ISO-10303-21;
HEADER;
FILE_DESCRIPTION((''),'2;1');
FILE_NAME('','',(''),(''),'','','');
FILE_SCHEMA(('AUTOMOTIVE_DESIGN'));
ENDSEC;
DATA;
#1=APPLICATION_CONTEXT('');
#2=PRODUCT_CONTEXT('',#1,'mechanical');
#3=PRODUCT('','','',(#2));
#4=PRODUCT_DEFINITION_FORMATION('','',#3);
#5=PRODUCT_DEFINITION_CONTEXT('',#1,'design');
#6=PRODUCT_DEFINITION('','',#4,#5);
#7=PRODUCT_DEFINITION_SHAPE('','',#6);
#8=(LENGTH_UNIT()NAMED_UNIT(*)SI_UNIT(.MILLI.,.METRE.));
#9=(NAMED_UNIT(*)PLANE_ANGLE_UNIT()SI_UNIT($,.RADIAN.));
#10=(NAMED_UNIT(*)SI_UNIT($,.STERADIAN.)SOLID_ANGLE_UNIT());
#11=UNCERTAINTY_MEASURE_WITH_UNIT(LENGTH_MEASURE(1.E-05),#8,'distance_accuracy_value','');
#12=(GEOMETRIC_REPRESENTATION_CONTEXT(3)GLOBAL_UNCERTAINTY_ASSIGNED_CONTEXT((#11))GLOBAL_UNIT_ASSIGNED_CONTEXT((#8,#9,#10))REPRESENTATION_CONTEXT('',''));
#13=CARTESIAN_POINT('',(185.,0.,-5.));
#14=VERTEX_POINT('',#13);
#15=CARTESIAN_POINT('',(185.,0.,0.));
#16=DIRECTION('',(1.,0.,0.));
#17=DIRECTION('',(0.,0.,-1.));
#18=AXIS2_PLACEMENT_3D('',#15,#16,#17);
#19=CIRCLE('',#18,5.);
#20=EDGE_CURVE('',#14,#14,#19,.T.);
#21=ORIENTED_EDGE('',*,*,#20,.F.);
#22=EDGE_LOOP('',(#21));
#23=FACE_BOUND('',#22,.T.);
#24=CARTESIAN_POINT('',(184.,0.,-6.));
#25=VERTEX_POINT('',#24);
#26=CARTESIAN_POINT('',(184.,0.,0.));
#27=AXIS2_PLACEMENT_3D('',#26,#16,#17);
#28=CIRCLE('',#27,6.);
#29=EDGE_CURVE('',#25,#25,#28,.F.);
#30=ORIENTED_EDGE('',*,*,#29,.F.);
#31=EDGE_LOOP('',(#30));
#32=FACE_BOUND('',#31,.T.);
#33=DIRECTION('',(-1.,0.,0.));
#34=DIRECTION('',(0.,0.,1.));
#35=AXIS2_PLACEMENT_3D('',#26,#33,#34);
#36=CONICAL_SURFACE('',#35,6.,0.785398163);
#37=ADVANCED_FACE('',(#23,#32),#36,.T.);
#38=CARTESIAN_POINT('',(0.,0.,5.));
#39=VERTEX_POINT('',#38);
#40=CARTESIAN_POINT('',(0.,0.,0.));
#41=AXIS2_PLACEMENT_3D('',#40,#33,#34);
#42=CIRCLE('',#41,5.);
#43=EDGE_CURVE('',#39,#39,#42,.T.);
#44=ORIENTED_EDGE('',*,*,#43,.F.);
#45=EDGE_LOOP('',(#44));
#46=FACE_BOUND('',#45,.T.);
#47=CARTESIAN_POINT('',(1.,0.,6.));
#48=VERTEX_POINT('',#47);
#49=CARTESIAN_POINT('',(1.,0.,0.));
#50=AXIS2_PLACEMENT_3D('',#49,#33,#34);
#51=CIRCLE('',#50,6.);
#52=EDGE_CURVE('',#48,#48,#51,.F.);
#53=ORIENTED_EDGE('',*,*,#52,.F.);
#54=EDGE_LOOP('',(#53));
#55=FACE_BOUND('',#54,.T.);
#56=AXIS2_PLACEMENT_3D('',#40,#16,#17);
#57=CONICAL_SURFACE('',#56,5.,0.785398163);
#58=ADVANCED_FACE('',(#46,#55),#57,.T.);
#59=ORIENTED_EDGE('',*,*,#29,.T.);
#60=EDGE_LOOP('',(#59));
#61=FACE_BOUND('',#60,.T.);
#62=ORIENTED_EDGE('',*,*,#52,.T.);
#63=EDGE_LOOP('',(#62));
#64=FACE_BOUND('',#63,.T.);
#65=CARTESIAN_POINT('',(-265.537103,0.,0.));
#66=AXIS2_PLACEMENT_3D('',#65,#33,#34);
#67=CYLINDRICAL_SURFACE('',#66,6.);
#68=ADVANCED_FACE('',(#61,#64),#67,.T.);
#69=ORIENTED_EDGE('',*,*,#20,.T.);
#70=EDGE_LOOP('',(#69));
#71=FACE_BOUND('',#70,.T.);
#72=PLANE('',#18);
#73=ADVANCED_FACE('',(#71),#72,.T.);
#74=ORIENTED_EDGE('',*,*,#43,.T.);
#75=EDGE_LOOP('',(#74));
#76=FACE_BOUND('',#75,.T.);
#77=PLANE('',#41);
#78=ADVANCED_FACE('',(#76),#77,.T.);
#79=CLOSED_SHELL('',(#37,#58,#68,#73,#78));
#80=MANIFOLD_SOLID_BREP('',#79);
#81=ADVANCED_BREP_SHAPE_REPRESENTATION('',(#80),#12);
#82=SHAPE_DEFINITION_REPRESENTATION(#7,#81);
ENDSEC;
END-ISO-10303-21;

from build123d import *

# Parameters (mm, degrees)
SKETCH_1_W     = 185
SKETCH_1_H     = 6
CHAMFER_1_SIZE = 1


with BuildPart() as part:
    # Эскиз1 → Повернуть2 (revolve)
    with BuildSketch(Plane.XY, mode=Mode.PRIVATE) as revolve_2_sk:
        with Locations((92.5, -3)):
            Rectangle(SKETCH_1_W, SKETCH_1_H)
    revolve(revolve_2_sk.sketch.rotate(Axis((-265.537103045, 0, 0), (1, 0, 0)), 270), axis=Axis((-265.537103045, 0, 0), (1, 0, 0)))

    # Фаска1
    chamfer_1_edges = [part.edges().sort_by_distance(p)[0] for p in [
        (185, 0, -6),
        (0, 0, -6),
    ]]
    chamfer(chamfer_1_edges, length=CHAMFER_1_SIZE)


solid = part.part
